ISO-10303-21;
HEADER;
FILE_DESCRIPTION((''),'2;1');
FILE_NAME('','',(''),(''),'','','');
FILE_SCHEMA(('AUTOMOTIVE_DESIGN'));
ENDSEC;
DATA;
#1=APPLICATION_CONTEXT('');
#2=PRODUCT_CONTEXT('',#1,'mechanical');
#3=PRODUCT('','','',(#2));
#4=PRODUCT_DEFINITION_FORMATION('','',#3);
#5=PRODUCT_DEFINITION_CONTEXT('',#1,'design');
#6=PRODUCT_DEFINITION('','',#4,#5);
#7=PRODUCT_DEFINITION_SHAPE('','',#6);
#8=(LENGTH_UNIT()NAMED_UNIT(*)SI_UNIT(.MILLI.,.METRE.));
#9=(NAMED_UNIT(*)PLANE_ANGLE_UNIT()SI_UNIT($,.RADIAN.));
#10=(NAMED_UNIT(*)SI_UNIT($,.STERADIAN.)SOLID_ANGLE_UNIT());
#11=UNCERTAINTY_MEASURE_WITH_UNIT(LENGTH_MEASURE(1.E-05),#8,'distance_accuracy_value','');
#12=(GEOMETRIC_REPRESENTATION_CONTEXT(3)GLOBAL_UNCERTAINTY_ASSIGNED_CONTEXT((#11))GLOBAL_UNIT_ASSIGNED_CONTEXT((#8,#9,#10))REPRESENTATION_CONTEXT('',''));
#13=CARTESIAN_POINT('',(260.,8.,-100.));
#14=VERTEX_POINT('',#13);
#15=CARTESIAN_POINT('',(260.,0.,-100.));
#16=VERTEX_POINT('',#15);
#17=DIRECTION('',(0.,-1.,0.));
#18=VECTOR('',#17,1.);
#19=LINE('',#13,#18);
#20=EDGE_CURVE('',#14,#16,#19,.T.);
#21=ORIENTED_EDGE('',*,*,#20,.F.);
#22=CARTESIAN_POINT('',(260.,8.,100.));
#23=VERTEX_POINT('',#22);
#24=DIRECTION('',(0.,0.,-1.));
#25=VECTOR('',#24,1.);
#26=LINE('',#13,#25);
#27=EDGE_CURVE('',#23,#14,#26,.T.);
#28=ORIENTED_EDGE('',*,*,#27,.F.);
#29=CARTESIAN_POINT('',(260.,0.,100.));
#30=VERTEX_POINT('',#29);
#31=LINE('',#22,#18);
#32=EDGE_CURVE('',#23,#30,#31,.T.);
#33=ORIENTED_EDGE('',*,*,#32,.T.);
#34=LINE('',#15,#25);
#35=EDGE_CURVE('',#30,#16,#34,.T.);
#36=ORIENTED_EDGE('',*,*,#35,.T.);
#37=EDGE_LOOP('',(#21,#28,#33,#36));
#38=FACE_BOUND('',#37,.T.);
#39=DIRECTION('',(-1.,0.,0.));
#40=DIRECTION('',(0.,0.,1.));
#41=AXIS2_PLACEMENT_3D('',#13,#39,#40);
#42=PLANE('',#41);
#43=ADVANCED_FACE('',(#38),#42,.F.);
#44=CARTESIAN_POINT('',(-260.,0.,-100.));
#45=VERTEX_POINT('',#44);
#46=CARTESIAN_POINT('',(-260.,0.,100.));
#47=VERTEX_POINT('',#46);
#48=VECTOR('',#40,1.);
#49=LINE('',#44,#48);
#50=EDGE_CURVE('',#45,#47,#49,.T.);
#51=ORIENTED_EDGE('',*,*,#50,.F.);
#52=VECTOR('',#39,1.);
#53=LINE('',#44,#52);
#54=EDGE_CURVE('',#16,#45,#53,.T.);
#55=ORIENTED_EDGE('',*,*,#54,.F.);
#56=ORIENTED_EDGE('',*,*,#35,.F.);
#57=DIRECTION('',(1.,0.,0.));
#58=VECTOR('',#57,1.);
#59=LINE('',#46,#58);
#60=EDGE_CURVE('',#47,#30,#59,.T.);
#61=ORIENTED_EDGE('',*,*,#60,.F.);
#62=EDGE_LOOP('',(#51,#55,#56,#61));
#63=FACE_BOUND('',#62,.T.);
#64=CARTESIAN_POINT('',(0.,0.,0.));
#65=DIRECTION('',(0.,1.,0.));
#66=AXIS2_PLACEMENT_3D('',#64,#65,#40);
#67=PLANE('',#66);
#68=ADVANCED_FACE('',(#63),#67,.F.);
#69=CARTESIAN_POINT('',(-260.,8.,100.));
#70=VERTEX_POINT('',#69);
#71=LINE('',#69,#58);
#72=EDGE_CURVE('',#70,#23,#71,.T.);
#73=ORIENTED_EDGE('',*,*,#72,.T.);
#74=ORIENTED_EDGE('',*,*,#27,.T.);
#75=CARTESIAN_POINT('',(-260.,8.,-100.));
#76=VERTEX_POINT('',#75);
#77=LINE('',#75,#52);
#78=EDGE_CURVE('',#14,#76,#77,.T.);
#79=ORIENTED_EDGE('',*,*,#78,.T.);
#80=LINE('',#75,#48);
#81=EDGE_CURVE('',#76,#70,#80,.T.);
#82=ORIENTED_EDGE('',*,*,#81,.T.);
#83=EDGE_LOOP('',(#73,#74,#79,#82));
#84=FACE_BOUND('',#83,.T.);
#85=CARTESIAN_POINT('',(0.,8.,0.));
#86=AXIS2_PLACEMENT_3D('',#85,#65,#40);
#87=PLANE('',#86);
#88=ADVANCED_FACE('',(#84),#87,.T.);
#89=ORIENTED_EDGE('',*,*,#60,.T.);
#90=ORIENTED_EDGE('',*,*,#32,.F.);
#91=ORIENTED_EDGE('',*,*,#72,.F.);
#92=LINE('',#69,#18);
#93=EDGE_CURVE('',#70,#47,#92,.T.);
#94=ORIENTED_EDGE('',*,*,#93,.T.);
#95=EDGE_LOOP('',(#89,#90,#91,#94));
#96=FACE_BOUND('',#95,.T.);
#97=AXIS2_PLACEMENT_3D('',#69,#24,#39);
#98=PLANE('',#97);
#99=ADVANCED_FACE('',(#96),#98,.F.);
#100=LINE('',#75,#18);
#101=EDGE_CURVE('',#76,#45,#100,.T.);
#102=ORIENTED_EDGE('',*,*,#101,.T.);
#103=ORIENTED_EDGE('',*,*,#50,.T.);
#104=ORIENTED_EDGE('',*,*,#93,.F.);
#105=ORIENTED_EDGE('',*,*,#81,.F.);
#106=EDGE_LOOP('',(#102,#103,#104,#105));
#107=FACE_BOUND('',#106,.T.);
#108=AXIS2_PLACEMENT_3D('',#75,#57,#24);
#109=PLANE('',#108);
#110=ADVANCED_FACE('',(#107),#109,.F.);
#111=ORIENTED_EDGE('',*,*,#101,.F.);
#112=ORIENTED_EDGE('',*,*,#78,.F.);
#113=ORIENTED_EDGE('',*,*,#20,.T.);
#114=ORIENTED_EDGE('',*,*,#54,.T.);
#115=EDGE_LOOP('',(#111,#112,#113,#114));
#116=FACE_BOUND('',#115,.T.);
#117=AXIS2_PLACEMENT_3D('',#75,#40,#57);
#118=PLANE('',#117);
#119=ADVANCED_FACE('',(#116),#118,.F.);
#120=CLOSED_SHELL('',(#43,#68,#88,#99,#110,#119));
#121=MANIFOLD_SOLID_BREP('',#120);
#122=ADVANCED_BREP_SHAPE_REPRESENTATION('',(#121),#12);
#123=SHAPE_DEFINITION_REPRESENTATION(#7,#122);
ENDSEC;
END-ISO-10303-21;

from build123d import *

# Parameters (mm, degrees)
SKETCH1_W           = 520
SKETCH1_H           = 200
BOSS_EXTRUDE1_DEPTH = 8


with BuildPart() as part:
    # Sketch1 → Boss-Extrude1 (new body)
    with BuildSketch(Plane(origin=(0, 0, 0), x_dir=(1, 0, 0), z_dir=(0, 1, 0))):
        Rectangle(SKETCH1_W, SKETCH1_H)
    extrude(amount=BOSS_EXTRUDE1_DEPTH)


solid = part.part
